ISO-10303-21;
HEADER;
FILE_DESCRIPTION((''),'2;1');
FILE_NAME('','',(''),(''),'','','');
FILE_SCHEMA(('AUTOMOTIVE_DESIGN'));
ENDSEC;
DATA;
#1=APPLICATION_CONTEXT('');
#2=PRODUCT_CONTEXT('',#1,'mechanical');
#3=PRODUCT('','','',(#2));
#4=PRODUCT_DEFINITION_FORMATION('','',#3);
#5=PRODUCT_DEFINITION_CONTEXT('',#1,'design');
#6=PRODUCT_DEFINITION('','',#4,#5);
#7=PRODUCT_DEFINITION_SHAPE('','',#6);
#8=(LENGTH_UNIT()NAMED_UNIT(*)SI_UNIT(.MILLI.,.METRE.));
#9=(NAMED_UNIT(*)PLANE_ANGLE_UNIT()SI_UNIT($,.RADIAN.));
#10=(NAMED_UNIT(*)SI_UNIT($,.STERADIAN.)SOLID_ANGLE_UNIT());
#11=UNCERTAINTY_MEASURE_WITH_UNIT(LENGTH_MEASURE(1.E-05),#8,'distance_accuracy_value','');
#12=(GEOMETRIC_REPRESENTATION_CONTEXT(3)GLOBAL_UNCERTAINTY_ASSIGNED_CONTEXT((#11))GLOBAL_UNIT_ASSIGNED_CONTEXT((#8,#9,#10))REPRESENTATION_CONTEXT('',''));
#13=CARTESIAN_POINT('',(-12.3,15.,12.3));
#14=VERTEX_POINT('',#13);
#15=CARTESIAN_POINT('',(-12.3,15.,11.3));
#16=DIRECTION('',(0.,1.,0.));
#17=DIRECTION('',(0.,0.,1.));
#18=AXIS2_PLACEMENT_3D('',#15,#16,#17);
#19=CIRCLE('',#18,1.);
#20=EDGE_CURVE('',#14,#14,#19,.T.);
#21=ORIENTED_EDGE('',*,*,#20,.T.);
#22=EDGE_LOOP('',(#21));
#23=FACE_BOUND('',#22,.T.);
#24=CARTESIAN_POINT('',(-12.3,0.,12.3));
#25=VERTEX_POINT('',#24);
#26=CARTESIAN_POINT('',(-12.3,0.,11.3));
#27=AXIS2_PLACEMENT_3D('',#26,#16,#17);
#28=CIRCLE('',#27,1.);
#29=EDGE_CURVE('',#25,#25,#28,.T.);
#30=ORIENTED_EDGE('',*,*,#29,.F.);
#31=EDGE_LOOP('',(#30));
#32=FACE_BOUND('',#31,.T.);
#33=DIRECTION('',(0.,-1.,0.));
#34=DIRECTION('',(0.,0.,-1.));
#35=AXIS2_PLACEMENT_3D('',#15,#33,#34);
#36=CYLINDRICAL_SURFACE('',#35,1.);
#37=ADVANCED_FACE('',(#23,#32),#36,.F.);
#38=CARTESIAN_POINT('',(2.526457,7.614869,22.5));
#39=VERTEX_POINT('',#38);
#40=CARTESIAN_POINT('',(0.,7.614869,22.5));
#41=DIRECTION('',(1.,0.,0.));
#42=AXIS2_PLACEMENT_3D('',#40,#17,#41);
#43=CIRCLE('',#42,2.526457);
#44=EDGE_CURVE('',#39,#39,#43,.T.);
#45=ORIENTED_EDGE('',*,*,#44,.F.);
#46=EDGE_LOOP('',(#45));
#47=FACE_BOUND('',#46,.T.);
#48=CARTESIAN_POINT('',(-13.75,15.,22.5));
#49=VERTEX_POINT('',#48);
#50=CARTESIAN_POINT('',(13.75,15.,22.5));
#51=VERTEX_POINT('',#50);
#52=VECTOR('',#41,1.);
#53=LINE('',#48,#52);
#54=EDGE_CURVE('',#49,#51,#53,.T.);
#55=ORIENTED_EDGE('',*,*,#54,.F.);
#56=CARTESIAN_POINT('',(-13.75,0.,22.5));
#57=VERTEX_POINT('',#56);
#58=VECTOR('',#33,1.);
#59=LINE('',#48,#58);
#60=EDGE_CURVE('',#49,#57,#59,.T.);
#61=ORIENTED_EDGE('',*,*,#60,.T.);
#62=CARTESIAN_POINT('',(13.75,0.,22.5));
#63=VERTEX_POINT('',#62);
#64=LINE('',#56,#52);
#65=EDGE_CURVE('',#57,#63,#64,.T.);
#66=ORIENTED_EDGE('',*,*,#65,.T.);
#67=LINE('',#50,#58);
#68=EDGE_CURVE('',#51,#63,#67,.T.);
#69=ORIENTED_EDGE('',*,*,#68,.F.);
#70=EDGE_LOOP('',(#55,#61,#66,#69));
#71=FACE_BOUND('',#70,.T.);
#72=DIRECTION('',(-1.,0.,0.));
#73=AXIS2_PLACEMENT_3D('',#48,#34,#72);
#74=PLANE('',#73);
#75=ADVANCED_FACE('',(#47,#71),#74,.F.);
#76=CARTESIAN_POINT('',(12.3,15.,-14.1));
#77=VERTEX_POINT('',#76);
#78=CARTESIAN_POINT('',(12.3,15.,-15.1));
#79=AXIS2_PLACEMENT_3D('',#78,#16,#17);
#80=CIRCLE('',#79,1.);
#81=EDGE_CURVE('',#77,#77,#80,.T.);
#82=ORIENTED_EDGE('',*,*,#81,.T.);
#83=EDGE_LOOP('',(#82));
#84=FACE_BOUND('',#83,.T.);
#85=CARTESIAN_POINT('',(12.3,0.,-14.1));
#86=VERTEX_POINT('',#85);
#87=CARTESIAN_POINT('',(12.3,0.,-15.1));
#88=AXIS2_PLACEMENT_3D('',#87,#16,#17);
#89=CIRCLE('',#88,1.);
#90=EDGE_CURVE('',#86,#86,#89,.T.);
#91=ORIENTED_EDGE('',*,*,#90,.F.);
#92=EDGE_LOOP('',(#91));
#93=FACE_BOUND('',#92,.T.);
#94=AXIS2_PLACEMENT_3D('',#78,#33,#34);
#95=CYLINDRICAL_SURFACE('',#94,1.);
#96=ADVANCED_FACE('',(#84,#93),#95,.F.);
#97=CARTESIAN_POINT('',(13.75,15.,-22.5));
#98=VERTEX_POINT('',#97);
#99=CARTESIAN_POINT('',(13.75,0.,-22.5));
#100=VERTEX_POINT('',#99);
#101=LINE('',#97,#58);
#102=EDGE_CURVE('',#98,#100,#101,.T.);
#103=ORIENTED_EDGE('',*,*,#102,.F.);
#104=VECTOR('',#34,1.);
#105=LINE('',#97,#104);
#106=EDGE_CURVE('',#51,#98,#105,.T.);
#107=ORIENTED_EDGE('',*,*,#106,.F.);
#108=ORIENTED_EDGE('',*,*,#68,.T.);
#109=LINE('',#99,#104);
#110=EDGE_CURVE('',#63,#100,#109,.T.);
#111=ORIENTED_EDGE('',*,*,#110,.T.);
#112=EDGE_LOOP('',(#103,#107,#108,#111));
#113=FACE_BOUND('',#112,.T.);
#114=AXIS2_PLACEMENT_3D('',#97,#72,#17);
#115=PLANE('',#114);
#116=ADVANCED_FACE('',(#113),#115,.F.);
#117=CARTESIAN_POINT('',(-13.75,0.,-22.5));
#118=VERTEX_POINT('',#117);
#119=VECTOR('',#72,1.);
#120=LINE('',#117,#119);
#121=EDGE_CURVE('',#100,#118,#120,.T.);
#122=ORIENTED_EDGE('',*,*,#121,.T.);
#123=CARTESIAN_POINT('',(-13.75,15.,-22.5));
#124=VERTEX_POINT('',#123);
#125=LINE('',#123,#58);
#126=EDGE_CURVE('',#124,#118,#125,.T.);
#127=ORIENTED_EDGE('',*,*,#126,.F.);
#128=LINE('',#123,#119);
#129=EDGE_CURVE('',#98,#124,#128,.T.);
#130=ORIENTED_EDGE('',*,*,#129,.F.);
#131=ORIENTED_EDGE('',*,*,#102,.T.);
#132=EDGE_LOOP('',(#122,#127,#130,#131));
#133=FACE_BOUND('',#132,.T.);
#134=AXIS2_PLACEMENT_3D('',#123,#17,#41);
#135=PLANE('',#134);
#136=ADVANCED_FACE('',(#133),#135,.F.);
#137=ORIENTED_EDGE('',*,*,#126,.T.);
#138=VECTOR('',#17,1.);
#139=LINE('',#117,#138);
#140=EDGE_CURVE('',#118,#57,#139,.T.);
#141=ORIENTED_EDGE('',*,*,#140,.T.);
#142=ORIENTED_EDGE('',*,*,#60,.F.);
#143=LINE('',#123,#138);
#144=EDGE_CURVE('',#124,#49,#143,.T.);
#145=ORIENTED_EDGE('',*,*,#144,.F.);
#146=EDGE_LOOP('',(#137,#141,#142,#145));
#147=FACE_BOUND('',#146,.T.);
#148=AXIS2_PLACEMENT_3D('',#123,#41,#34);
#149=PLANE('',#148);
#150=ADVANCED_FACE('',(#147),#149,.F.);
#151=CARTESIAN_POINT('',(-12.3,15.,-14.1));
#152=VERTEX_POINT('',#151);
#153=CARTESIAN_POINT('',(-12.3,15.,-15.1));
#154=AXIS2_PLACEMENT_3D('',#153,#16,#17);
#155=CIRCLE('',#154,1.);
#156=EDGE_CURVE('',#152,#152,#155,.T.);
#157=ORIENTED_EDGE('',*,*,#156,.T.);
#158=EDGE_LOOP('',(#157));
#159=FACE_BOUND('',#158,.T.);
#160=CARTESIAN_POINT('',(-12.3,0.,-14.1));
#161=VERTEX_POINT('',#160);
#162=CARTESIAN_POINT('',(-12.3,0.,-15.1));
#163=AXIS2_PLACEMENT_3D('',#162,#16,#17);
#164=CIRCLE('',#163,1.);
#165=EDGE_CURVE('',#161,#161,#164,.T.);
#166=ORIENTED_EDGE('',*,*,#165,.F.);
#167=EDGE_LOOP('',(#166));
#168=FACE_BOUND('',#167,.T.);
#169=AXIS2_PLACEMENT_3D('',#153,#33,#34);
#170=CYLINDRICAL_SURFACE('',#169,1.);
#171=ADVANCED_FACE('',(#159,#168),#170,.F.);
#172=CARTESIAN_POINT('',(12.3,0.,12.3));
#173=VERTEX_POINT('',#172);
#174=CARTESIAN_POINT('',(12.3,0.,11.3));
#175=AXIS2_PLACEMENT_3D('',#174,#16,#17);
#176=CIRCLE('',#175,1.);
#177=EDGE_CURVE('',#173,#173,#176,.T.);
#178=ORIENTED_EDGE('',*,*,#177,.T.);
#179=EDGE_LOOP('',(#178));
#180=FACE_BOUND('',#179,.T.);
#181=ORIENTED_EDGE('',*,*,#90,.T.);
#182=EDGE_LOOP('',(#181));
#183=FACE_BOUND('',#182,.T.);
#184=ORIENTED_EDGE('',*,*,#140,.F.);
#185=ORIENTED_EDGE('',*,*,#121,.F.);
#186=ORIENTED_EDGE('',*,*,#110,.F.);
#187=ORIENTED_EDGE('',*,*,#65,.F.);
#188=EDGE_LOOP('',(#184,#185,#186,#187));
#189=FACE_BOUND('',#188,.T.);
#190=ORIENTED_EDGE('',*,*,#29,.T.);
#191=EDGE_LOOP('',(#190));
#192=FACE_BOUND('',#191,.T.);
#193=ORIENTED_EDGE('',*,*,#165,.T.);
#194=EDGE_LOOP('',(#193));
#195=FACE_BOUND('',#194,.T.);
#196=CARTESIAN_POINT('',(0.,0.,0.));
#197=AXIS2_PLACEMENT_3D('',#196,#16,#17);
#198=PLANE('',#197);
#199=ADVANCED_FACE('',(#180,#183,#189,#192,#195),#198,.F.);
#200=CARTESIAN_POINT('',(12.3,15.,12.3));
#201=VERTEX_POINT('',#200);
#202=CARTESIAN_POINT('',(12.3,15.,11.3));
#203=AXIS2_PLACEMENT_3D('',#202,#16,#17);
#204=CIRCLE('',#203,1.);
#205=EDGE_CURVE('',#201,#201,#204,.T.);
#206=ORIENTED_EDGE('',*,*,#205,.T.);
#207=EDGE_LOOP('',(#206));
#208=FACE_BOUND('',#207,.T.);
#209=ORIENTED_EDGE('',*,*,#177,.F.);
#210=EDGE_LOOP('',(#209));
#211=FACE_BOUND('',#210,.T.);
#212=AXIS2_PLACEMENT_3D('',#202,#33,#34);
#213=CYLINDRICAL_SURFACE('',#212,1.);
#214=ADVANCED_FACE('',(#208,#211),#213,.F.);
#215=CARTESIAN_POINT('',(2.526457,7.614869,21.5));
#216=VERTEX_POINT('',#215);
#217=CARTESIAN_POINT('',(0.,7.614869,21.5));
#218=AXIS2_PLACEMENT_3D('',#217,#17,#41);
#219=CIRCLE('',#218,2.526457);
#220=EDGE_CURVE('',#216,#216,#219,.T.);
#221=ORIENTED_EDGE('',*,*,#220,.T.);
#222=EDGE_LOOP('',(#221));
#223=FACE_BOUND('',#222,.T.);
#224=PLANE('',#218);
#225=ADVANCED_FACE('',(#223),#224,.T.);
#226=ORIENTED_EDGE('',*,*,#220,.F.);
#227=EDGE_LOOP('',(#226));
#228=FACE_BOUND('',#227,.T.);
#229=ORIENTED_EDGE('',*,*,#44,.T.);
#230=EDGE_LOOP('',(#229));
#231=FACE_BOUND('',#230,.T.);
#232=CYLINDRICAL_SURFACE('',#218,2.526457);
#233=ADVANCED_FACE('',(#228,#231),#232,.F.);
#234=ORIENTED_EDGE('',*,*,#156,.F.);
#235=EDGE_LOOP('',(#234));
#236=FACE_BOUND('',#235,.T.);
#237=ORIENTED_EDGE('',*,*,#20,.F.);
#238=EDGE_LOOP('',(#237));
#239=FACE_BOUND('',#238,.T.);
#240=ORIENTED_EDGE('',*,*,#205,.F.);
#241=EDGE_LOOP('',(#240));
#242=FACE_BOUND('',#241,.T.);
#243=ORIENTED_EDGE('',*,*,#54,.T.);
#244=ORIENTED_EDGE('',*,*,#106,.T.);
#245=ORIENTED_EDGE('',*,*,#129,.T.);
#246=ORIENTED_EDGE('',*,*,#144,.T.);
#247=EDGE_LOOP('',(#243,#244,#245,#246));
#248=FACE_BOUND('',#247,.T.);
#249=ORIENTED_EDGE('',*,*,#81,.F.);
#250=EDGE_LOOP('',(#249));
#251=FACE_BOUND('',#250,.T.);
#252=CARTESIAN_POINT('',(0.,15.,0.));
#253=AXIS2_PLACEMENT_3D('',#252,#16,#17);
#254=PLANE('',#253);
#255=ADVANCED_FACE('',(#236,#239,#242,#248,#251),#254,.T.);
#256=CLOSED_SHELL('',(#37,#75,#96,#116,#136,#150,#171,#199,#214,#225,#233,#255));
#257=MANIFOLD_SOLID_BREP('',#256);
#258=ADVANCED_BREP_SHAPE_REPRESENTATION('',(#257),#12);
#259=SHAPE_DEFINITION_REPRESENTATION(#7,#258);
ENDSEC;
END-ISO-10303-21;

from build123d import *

# Parameters (mm, degrees)
SKETCH_1_W          = 27.5
SKETCH_1_H          = 45
SKETCH_1_R          = 1
EXTRUDE_1_DEPTH     = 15
SKETCH_2_R          = 2.526456565
CUT_EXTRUDE_1_DEPTH = 1


with BuildPart() as part:
    # 草图1 → 凸台-拉伸1 (new body)
    with BuildSketch(Plane(origin=(0, 0, 0), x_dir=(1, 0, 0), z_dir=(0, 1, 0))):
        Rectangle(SKETCH_1_W, SKETCH_1_H)
        with Locations(Location((-12.3, 15.1, 0), (0, 0, 270))):
            Circle(SKETCH_1_R, mode=Mode.SUBTRACT)
        with Locations(Location((12.3, 15.1, 0), (0, 0, 270))):
            Circle(SKETCH_1_R, mode=Mode.SUBTRACT)
        with Locations(Location((12.3, -11.3, 0), (0, 0, 270))):
            Circle(SKETCH_1_R, mode=Mode.SUBTRACT)
        with Locations(Location((-12.3, -11.3, 0), (0, 0, 270))):
            Circle(SKETCH_1_R, mode=Mode.SUBTRACT)
    extrude(amount=EXTRUDE_1_DEPTH)

    # 草图2 → 切除-拉伸1 (cut)
    with BuildSketch(Plane.XY.offset(22.5)):
        with Locations((0, 7.614868715)):
            Circle(SKETCH_2_R)
    extrude(amount=-CUT_EXTRUDE_1_DEPTH, mode=Mode.SUBTRACT)


solid = part.part
